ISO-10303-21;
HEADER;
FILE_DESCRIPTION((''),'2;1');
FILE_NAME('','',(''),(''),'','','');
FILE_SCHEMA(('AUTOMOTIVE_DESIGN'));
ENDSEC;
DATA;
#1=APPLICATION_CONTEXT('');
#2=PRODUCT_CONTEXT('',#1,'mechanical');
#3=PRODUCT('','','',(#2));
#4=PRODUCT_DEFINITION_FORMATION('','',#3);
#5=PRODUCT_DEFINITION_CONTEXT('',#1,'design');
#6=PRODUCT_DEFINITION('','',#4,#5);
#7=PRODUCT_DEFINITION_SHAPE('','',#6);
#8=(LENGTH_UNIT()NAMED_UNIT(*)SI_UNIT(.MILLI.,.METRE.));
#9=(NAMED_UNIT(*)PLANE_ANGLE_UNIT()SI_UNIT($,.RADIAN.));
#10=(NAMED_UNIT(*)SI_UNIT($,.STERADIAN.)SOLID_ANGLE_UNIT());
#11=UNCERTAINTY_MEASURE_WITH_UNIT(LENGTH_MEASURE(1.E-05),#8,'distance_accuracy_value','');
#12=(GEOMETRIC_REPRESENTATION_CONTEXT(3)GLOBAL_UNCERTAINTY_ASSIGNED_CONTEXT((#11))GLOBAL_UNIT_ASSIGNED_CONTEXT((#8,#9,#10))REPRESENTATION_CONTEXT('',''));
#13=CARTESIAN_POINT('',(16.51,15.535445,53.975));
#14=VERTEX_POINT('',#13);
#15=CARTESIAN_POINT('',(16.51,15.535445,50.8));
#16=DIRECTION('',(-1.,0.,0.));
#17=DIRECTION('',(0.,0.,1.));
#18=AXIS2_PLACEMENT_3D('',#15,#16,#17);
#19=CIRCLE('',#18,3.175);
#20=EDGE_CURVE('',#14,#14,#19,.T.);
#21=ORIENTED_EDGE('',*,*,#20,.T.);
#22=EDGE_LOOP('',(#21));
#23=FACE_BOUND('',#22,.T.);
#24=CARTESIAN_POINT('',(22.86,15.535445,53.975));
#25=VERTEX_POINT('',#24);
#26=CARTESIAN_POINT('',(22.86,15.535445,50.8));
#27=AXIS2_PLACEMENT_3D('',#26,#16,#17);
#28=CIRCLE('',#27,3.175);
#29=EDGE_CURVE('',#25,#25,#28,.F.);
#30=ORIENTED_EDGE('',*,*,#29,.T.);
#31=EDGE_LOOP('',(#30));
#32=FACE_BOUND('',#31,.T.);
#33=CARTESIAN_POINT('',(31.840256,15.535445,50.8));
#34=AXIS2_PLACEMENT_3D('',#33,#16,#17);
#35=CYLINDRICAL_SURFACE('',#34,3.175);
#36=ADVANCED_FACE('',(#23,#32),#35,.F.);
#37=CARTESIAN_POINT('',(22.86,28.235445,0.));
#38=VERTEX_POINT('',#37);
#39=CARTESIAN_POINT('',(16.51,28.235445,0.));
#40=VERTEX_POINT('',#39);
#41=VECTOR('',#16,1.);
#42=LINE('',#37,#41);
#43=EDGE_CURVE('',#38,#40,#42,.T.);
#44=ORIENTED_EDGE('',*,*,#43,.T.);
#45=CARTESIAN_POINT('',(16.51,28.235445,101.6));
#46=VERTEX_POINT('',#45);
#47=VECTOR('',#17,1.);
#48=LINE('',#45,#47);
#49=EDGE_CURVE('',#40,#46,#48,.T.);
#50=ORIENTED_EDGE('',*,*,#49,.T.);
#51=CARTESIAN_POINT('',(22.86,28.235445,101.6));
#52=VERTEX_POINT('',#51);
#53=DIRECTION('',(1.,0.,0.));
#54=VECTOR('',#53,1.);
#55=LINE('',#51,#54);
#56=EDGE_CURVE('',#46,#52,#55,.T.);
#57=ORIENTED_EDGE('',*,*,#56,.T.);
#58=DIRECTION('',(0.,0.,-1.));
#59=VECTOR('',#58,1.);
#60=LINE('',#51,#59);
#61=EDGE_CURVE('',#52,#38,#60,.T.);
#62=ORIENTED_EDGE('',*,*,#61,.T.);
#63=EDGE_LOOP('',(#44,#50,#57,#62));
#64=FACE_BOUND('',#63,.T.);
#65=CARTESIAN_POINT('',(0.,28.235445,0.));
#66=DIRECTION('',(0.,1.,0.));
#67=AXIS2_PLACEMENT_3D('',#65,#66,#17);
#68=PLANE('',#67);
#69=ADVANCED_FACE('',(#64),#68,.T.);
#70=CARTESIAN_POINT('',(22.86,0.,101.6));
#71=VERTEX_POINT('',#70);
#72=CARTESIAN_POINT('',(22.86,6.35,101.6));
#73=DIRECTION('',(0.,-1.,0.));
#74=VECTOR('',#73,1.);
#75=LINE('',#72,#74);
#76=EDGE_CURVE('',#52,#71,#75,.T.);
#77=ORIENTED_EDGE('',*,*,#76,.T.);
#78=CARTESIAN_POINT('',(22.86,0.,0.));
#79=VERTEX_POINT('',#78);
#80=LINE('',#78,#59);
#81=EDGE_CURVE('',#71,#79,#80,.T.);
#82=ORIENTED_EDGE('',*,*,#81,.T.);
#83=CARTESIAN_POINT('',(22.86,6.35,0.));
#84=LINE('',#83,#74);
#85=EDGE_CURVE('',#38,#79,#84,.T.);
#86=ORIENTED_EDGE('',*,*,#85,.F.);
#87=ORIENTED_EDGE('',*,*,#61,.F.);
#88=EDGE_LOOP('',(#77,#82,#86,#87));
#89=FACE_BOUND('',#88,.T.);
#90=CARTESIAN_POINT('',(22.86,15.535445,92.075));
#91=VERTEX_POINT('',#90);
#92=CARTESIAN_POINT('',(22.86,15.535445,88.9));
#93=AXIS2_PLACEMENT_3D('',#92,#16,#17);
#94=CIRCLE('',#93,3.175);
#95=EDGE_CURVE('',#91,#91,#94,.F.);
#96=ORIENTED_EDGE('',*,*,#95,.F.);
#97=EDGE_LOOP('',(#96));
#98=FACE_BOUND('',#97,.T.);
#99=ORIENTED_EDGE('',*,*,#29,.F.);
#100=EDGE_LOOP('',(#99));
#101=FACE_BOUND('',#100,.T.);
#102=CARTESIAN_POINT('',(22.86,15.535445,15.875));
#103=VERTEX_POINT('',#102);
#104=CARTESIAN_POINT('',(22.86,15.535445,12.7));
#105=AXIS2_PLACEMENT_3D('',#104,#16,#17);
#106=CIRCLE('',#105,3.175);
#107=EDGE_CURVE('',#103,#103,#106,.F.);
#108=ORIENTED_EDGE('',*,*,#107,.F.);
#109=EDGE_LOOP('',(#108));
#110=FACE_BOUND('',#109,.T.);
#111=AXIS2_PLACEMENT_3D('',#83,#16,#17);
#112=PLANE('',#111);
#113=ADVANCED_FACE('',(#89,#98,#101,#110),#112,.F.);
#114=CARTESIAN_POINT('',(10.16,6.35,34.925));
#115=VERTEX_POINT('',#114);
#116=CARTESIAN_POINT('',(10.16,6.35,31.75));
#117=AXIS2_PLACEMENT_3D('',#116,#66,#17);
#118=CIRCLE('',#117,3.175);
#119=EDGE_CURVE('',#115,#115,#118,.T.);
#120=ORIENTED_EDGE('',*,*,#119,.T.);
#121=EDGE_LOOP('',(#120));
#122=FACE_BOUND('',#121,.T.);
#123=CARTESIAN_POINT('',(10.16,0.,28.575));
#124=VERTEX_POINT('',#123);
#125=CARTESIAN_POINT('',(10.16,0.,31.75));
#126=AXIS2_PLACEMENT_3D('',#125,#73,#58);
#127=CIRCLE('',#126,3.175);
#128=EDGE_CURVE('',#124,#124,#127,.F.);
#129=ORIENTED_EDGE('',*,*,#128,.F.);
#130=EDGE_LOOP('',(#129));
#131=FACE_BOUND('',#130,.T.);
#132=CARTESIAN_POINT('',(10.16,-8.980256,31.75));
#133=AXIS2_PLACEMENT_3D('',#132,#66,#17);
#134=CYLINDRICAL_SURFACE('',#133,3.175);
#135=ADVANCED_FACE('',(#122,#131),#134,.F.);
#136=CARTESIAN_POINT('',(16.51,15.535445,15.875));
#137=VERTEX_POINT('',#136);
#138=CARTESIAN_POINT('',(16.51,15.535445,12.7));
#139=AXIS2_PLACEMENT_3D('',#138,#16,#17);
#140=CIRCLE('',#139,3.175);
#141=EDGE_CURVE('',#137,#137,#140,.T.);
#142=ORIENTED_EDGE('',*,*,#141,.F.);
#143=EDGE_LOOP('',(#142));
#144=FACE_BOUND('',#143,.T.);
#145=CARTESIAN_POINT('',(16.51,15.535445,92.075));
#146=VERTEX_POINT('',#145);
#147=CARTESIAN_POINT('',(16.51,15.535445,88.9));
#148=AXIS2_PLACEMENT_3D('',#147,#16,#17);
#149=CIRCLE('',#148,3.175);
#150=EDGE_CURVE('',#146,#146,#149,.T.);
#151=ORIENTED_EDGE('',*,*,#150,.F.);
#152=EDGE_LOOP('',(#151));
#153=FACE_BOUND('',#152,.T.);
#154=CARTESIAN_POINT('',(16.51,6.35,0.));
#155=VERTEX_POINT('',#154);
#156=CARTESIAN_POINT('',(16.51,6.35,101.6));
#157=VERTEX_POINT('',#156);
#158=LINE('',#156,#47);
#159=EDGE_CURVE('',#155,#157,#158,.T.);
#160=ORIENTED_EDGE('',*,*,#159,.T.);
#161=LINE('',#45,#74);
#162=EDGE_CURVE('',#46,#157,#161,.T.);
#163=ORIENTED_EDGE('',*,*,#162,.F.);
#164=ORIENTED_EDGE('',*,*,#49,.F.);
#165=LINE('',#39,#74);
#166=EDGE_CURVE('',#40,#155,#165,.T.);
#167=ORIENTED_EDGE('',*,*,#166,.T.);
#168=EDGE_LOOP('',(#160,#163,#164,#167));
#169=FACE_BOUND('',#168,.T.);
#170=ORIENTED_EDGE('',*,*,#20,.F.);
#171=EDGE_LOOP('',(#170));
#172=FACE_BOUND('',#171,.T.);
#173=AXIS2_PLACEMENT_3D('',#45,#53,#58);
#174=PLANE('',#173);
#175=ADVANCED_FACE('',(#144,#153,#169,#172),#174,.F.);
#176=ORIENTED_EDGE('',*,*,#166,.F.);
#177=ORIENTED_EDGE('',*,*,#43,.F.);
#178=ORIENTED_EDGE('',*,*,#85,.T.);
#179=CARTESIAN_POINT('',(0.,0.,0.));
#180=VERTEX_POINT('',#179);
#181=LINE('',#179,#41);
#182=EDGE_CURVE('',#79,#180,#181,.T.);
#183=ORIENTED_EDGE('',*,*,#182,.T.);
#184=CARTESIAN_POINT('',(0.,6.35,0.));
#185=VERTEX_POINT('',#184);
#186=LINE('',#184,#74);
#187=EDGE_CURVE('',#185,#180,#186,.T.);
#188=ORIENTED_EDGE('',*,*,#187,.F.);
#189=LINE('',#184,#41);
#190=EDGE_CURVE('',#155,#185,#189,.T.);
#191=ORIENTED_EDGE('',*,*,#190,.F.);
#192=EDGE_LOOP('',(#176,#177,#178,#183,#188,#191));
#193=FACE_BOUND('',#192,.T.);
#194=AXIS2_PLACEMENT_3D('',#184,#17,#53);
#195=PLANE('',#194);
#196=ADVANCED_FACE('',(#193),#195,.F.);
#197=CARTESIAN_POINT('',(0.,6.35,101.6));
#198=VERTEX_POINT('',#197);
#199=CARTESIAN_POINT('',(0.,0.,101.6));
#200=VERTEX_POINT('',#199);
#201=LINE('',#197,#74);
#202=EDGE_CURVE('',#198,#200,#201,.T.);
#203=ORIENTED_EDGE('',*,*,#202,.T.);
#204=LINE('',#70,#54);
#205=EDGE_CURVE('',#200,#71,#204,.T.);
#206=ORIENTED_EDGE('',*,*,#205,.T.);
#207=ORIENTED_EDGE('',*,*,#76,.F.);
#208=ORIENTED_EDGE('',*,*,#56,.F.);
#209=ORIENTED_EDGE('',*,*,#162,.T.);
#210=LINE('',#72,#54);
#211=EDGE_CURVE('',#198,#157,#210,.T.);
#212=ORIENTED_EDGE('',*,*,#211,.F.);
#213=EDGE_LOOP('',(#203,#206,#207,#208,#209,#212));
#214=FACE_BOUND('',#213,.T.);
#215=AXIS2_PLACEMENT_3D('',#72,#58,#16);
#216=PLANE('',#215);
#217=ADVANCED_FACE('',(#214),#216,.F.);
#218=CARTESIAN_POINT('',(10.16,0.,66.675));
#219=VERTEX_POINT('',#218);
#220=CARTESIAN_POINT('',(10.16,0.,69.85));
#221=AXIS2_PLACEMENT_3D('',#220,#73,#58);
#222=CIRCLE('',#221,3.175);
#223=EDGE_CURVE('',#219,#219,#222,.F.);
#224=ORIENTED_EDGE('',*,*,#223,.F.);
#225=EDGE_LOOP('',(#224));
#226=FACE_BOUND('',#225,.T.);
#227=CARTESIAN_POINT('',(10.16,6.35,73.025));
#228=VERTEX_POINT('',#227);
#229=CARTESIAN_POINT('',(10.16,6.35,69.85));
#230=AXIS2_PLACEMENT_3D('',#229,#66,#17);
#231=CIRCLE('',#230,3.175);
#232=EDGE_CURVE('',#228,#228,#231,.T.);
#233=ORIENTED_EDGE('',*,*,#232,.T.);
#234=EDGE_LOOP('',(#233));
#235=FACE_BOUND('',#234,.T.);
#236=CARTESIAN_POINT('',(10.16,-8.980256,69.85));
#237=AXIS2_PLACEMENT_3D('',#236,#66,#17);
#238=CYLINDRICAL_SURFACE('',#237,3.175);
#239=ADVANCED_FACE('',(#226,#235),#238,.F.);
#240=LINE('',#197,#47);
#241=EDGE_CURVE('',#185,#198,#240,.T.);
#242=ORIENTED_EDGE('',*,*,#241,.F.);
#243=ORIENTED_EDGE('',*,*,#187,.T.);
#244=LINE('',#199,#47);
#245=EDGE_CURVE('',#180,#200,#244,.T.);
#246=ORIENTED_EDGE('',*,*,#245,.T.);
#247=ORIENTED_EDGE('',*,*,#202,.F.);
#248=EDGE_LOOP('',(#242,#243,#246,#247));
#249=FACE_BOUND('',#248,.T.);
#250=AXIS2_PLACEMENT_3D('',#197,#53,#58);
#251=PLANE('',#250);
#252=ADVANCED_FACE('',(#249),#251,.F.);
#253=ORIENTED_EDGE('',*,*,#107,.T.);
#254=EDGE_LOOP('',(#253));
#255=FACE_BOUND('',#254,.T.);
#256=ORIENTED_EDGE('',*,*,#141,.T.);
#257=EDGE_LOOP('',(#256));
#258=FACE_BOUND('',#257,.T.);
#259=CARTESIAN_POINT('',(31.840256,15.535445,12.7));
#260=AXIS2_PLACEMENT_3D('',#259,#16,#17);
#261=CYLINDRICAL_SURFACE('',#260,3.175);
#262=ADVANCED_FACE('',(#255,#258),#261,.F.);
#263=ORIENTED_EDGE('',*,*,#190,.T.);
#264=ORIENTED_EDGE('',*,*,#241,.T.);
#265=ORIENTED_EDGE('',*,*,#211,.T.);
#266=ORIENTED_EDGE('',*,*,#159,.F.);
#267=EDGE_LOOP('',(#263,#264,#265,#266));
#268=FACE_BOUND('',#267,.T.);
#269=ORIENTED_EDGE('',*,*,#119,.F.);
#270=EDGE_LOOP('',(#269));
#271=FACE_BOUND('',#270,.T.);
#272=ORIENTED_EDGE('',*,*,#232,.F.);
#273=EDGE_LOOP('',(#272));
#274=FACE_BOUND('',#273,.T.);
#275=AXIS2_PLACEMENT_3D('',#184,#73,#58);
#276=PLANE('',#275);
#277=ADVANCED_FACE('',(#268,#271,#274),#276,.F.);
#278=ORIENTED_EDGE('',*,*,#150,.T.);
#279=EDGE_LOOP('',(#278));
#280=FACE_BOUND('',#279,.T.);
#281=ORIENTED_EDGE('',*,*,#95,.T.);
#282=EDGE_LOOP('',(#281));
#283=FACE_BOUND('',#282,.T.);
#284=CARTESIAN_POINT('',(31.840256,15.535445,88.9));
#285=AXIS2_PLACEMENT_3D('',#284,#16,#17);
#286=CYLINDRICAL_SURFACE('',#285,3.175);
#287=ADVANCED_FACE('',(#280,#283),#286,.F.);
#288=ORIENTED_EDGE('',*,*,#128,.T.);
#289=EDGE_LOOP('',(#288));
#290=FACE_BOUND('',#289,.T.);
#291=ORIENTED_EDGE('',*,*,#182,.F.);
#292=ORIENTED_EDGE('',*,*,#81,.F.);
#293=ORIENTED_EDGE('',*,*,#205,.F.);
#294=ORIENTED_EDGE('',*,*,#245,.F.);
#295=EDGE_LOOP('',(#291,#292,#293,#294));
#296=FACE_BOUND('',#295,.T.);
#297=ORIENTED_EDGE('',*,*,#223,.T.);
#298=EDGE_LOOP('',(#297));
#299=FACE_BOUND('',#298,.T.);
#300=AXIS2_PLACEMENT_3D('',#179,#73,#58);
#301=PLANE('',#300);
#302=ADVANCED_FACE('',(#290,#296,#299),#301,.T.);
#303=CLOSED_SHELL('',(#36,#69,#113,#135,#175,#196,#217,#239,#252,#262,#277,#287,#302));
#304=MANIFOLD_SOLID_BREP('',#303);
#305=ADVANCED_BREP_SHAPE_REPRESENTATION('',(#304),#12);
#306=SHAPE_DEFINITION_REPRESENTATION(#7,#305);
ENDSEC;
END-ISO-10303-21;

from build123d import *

# Parameters (mm, degrees)
SKETCH1_W           = 22.86
SKETCH1_H           = 101.6
BOSS_EXTRUDE1_DEPTH = 6.35
SKETCH4_W           = 6.35
SKETCH4_H           = 101.6
BOSS_EXTRUDE2_DEPTH = 21.88544518
SKETCH7_R           = 3.175
CUT_EXTRUDE1_DEPTH  = 6.35
SKETCH8_R           = 3.175
CUT_EXTRUDE2_DEPTH  = 6.35


with BuildPart() as part:
    # Sketch1 → Boss-Extrude1 (new body)
    with BuildSketch(Plane(origin=(0, 0, 0), x_dir=(1, 0, 0), z_dir=(0, 1, 0))):
        with Locations((11.43, -50.8)):
            Rectangle(SKETCH1_W, SKETCH1_H)
    extrude(amount=BOSS_EXTRUDE1_DEPTH)

    # Sketch4 → Boss-Extrude2 (add)
    with BuildSketch(Plane(origin=(0, 6.35, 0), x_dir=(1, 0, 0), z_dir=(0, 1, 0))):
        with Locations((19.685, -50.8)):
            Rectangle(SKETCH4_W, SKETCH4_H)
    extrude(amount=BOSS_EXTRUDE2_DEPTH)

    # Sketch7 → Cut-Extrude1 (cut)
    with BuildSketch(Plane.ZY.offset(-16.51)):
        with Locations((88.9, 15.53544518)):
            Circle(SKETCH7_R)
        with Locations((50.8, 15.53544518)):
            Circle(SKETCH7_R)
        with Locations((12.7, 15.53544518)):
            Circle(SKETCH7_R)
    extrude(amount=-CUT_EXTRUDE1_DEPTH, mode=Mode.SUBTRACT)

    # Sketch8 → Cut-Extrude2 (cut)
    with BuildSketch(Plane(origin=(0, 6.35, 0), x_dir=(1, 0, 0), z_dir=(0, 1, 0))):
        with Locations(Location((10.16, -31.75, 0), (0, 0, 270))):
            Circle(SKETCH8_R)
        with Locations(Location((10.16, -69.85, 0), (0, 0, 270))):
            Circle(SKETCH8_R)
    extrude(amount=-CUT_EXTRUDE2_DEPTH, mode=Mode.SUBTRACT)


solid = part.part
